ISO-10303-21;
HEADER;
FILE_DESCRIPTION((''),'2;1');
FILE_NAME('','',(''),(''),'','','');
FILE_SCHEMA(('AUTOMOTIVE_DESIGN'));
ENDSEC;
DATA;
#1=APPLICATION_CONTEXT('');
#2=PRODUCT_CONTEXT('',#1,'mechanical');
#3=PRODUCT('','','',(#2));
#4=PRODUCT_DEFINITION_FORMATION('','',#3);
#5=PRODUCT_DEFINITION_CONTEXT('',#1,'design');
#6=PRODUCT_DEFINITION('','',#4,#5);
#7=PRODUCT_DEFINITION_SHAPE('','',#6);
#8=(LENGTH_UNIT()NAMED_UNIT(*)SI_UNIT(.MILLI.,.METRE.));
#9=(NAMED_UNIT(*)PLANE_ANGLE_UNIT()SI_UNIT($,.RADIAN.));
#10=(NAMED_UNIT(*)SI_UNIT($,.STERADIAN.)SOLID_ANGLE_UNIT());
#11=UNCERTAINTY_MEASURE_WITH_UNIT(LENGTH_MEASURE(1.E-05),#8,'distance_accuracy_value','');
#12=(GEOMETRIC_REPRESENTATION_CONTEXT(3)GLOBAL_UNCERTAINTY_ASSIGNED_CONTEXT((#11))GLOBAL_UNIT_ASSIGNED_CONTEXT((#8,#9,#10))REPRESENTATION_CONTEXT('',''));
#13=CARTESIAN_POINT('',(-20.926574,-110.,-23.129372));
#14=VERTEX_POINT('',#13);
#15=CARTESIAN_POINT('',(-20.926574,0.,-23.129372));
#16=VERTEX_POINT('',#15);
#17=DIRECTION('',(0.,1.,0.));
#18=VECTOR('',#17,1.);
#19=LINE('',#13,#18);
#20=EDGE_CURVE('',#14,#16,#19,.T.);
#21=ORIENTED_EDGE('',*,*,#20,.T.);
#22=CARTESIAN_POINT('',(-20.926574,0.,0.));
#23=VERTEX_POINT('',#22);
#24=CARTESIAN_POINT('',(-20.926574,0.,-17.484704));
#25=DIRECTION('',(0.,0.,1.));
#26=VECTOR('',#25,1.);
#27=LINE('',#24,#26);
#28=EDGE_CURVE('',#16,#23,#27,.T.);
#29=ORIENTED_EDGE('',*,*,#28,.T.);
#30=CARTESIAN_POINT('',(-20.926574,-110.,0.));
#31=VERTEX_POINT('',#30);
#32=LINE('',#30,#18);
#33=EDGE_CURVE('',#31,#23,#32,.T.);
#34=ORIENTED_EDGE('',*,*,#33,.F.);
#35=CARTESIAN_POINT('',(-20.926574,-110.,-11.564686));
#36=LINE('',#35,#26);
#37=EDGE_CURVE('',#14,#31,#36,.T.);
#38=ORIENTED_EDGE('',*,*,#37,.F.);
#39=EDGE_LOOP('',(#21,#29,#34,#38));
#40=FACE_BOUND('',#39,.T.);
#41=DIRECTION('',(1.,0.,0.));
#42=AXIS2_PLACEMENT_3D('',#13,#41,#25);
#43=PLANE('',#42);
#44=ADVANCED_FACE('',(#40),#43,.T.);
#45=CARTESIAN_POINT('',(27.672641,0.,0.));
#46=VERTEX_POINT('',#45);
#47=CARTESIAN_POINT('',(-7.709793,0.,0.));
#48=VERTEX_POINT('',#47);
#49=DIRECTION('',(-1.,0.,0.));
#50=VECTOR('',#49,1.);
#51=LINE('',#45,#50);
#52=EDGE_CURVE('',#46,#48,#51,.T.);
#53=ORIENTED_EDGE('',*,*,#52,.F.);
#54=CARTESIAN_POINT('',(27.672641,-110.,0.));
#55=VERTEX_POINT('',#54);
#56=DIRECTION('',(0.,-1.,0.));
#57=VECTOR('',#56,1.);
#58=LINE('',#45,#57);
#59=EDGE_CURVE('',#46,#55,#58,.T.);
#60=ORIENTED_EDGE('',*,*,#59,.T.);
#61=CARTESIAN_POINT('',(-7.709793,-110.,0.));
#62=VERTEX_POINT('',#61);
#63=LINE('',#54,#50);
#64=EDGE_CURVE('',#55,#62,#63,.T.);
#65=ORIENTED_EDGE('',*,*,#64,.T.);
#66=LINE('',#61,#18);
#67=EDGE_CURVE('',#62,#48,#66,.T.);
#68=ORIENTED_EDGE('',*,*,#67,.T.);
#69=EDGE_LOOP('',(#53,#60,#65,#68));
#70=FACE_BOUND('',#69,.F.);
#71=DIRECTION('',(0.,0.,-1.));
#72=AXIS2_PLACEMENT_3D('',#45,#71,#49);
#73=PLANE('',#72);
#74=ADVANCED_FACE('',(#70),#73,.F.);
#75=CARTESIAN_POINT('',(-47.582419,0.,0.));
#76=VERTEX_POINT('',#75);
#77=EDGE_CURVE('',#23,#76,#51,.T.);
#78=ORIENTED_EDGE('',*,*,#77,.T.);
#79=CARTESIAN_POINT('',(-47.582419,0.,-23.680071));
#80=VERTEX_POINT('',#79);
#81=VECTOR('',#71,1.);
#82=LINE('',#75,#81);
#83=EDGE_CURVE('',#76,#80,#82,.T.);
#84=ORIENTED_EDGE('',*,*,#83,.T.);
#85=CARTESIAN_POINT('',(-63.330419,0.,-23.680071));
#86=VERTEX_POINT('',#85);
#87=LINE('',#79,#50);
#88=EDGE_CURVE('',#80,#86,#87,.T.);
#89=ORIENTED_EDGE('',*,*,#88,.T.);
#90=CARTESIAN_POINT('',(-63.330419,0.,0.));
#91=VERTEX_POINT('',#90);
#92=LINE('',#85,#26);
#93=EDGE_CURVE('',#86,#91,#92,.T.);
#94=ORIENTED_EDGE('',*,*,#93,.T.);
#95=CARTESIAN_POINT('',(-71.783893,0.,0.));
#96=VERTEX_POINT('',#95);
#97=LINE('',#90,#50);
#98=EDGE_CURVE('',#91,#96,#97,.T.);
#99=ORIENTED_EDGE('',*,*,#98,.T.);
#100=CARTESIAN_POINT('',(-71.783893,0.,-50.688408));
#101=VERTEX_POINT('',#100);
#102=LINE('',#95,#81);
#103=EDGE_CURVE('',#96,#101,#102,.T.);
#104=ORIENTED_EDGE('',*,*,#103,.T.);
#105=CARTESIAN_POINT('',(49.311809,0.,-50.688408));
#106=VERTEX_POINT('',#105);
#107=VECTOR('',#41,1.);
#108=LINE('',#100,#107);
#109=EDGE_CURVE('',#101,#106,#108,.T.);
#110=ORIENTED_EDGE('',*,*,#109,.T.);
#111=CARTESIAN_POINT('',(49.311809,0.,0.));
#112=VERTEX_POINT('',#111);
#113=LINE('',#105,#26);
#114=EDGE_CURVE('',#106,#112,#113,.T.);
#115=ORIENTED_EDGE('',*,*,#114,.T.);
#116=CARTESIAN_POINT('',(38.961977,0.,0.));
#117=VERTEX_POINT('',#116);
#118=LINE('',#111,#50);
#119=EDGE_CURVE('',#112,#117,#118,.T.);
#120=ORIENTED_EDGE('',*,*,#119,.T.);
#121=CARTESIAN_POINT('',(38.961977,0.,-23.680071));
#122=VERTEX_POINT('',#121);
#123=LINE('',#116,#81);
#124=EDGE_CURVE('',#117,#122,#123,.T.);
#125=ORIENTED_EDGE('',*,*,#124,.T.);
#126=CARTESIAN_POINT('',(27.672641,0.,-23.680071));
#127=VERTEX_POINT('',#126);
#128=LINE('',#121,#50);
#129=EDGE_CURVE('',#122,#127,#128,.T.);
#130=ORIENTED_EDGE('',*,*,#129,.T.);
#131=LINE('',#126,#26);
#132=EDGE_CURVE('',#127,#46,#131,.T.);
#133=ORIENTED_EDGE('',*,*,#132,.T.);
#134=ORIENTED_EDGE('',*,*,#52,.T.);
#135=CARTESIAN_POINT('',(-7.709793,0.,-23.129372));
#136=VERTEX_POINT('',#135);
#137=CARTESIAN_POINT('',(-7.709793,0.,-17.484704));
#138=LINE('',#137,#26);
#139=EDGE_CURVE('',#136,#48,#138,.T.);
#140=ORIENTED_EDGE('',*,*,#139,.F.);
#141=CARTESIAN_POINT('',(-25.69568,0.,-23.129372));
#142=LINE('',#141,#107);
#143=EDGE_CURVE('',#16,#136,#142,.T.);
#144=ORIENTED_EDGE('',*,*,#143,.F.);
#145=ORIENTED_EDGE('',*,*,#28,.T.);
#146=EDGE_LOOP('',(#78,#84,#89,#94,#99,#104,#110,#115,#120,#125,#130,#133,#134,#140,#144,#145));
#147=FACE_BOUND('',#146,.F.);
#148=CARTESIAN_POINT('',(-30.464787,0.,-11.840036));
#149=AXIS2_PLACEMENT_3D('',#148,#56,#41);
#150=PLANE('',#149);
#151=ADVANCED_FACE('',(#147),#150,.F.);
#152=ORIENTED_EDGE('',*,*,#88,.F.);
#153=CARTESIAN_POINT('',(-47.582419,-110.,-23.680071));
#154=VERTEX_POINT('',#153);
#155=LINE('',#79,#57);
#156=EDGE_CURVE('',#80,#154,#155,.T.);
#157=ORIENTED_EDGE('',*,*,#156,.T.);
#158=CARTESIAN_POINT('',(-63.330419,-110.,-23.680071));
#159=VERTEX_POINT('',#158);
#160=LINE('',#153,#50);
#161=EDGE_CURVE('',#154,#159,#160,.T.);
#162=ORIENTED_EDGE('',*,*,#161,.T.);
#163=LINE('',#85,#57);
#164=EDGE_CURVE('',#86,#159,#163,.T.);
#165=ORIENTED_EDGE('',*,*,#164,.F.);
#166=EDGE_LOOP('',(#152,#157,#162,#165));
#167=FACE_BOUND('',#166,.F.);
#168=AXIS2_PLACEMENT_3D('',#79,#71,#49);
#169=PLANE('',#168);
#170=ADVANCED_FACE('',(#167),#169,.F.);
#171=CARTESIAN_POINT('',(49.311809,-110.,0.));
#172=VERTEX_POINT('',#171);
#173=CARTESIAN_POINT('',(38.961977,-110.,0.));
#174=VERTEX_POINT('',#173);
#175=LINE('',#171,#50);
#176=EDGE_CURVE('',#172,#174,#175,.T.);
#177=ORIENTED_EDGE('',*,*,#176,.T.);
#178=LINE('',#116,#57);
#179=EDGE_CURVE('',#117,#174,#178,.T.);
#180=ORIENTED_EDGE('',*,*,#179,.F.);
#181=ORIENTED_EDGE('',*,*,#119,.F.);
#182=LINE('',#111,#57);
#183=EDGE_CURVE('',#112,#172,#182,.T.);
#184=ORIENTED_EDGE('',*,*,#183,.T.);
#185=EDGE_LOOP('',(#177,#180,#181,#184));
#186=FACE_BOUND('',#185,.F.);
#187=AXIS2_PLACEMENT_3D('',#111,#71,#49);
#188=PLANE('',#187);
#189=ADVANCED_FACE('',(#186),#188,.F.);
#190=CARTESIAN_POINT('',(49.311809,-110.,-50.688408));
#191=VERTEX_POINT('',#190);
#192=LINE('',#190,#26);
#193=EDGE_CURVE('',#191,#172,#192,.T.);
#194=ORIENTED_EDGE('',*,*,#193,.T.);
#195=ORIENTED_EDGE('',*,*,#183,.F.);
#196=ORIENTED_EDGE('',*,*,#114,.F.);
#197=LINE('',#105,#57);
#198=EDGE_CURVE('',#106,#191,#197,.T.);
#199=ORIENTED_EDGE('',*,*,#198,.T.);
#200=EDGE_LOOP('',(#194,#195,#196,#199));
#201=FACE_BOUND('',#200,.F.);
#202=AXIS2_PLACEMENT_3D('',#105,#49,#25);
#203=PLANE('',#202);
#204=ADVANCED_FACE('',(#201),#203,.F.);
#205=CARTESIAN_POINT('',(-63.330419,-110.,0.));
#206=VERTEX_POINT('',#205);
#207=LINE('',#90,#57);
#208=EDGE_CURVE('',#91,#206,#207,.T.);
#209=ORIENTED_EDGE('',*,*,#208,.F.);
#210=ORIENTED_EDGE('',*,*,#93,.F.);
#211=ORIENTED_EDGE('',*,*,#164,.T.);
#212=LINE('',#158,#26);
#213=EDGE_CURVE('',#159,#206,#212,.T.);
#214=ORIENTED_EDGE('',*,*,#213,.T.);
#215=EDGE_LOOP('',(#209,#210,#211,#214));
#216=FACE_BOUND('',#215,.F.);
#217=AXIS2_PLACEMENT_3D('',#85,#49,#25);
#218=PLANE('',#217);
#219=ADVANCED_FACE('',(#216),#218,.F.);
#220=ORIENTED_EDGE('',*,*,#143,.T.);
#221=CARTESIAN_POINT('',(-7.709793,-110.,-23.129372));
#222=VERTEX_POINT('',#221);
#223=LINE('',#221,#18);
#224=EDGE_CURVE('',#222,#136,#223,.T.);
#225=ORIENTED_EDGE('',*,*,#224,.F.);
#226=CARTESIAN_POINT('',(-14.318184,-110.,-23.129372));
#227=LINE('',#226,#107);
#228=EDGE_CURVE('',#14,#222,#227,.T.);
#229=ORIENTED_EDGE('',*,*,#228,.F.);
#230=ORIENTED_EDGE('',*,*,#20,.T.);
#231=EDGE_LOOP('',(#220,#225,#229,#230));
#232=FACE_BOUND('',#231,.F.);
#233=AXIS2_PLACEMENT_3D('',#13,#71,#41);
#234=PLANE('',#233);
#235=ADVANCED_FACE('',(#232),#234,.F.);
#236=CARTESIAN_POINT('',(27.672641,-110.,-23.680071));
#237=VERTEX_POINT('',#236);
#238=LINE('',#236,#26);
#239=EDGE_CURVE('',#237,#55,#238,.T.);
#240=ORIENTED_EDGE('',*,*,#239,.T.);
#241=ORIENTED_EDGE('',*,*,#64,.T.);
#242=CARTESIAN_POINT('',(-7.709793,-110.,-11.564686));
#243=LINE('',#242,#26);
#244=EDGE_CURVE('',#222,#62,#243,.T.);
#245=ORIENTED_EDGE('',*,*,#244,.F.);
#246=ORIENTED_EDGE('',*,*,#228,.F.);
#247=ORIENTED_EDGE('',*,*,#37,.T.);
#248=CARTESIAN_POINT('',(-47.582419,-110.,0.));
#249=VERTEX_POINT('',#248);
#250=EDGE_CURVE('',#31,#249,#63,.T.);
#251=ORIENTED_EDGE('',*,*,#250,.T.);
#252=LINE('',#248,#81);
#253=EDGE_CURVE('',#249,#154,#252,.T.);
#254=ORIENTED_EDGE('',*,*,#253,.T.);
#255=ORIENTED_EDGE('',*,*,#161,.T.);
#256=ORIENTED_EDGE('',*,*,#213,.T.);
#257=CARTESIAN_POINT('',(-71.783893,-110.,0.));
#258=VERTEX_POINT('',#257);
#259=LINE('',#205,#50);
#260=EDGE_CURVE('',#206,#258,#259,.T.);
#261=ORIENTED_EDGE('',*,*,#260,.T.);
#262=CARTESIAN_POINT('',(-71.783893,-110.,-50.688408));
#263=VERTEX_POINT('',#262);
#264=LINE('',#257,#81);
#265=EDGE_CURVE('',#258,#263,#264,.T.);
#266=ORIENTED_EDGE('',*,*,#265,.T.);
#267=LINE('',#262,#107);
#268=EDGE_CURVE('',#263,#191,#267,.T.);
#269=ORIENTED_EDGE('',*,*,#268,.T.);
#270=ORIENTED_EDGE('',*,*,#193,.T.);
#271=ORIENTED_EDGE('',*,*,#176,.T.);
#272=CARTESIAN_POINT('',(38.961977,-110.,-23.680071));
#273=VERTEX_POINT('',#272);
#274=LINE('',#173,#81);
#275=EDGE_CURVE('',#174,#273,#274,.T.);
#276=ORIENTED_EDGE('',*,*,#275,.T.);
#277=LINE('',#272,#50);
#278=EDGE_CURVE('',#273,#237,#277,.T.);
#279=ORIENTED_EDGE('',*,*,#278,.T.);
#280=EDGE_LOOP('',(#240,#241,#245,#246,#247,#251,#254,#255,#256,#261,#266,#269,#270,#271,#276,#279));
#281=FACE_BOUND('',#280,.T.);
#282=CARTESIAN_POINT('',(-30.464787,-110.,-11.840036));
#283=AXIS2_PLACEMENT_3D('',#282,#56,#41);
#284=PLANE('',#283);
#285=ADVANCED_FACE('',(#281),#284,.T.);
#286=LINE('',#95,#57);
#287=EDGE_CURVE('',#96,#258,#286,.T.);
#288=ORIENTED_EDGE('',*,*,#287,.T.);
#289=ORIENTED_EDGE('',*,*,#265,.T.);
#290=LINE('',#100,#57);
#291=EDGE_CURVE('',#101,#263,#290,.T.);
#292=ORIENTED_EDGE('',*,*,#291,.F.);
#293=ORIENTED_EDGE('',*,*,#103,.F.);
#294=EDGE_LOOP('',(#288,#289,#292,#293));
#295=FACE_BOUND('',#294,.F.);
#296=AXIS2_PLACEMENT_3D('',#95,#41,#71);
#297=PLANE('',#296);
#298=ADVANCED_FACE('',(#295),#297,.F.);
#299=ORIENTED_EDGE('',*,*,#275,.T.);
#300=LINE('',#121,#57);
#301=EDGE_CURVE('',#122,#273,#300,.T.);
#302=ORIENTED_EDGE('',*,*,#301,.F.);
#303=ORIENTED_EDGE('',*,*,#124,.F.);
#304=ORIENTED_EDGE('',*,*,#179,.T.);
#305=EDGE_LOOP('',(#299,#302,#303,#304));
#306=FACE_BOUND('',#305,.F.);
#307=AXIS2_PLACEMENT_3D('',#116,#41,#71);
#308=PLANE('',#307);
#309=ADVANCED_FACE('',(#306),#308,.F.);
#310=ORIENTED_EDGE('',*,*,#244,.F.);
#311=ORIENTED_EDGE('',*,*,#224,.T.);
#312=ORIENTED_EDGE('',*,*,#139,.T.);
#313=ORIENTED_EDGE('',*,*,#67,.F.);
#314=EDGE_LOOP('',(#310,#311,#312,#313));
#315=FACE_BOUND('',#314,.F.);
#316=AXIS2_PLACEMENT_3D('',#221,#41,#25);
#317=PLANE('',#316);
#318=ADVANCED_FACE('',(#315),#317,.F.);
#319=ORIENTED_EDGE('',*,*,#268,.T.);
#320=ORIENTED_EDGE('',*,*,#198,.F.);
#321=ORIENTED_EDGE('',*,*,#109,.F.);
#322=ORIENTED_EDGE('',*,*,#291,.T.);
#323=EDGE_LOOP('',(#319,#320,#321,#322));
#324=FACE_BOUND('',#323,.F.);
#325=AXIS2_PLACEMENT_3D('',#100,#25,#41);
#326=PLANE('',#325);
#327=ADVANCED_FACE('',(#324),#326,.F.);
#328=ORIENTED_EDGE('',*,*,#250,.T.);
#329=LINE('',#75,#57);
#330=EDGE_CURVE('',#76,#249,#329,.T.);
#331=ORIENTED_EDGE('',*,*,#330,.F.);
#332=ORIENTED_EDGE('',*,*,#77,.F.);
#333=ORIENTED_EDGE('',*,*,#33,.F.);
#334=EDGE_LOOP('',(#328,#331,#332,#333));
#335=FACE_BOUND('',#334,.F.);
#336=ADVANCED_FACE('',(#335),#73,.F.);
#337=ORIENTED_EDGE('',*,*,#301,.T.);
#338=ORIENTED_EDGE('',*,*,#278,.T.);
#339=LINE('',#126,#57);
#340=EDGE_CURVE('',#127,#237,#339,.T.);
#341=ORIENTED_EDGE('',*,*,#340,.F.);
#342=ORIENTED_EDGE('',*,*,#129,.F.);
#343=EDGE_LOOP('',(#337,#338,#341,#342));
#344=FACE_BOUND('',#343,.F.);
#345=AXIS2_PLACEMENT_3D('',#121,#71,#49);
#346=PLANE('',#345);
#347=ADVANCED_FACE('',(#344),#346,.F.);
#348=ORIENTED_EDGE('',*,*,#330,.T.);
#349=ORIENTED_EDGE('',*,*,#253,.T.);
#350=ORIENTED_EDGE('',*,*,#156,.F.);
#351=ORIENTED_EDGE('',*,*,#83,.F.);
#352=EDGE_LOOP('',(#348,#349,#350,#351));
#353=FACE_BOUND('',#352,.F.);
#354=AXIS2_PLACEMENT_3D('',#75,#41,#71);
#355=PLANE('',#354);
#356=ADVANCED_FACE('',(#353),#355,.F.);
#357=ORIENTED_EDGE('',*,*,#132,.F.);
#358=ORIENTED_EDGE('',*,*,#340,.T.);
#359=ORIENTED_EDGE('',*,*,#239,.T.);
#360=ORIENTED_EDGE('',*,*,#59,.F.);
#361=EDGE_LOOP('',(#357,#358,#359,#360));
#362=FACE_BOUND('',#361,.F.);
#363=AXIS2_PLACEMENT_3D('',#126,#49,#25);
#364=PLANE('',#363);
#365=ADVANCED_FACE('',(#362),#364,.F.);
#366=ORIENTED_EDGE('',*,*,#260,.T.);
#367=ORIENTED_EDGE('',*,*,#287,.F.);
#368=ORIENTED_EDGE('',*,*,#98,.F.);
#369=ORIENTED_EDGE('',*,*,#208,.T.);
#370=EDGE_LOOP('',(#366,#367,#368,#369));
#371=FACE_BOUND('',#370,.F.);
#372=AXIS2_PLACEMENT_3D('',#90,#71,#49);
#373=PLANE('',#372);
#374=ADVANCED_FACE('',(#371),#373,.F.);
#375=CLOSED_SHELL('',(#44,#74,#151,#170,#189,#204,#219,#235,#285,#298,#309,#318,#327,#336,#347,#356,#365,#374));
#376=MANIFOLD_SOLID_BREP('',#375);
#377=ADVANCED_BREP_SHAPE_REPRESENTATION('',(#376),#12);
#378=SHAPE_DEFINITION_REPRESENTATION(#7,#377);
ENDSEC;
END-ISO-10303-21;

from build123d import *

# Parameters (mm, degrees)
F0_W     = 1.5748
F0_H     = 23.6800713465
F1_DEPTH = 110
F2_W     = 13.2167814299
F2_H     = 23.1293719262
F3_DEPTH = 129


with BuildPart() as f1:
    # F0 (on Front) → F1 (new body)
    with BuildSketch(Plane.XZ):
        with Locations((-30.4647867454, -11.8400356732)):
            Rectangle(F0_W, F0_H)
        Polygon((-63.3304193616, -23.6800713465), (-63.3304193616, 0), (-71.7838928103, 0), (-71.7838928103, -50.6884083152), (49.3118092418, -50.6884083152), (49.3118092418, 0), (38.9619767666, 0), (38.9619767666, -23.6800713465), (27.6726409793, -23.6800713465), (27.6726409793, 0), (-29.6773867454, 0), (-29.6773867454, -23.6800713465), (-31.2521867454, -23.6800713465), (-31.2521867454, 0), (-47.5824193616, 0), (-47.5824193616, -23.6800713465), align=None)
    extrude(amount=F1_DEPTH)

    # F2 (on face) → F3 (cut)
    with BuildSketch(Plane.XZ.offset(110)):
        with Locations((-14.3181835301, -11.5646859631)):
            Rectangle(F2_W, F2_H)
    extrude(amount=-F3_DEPTH, mode=Mode.SUBTRACT)


solid = f1.part
